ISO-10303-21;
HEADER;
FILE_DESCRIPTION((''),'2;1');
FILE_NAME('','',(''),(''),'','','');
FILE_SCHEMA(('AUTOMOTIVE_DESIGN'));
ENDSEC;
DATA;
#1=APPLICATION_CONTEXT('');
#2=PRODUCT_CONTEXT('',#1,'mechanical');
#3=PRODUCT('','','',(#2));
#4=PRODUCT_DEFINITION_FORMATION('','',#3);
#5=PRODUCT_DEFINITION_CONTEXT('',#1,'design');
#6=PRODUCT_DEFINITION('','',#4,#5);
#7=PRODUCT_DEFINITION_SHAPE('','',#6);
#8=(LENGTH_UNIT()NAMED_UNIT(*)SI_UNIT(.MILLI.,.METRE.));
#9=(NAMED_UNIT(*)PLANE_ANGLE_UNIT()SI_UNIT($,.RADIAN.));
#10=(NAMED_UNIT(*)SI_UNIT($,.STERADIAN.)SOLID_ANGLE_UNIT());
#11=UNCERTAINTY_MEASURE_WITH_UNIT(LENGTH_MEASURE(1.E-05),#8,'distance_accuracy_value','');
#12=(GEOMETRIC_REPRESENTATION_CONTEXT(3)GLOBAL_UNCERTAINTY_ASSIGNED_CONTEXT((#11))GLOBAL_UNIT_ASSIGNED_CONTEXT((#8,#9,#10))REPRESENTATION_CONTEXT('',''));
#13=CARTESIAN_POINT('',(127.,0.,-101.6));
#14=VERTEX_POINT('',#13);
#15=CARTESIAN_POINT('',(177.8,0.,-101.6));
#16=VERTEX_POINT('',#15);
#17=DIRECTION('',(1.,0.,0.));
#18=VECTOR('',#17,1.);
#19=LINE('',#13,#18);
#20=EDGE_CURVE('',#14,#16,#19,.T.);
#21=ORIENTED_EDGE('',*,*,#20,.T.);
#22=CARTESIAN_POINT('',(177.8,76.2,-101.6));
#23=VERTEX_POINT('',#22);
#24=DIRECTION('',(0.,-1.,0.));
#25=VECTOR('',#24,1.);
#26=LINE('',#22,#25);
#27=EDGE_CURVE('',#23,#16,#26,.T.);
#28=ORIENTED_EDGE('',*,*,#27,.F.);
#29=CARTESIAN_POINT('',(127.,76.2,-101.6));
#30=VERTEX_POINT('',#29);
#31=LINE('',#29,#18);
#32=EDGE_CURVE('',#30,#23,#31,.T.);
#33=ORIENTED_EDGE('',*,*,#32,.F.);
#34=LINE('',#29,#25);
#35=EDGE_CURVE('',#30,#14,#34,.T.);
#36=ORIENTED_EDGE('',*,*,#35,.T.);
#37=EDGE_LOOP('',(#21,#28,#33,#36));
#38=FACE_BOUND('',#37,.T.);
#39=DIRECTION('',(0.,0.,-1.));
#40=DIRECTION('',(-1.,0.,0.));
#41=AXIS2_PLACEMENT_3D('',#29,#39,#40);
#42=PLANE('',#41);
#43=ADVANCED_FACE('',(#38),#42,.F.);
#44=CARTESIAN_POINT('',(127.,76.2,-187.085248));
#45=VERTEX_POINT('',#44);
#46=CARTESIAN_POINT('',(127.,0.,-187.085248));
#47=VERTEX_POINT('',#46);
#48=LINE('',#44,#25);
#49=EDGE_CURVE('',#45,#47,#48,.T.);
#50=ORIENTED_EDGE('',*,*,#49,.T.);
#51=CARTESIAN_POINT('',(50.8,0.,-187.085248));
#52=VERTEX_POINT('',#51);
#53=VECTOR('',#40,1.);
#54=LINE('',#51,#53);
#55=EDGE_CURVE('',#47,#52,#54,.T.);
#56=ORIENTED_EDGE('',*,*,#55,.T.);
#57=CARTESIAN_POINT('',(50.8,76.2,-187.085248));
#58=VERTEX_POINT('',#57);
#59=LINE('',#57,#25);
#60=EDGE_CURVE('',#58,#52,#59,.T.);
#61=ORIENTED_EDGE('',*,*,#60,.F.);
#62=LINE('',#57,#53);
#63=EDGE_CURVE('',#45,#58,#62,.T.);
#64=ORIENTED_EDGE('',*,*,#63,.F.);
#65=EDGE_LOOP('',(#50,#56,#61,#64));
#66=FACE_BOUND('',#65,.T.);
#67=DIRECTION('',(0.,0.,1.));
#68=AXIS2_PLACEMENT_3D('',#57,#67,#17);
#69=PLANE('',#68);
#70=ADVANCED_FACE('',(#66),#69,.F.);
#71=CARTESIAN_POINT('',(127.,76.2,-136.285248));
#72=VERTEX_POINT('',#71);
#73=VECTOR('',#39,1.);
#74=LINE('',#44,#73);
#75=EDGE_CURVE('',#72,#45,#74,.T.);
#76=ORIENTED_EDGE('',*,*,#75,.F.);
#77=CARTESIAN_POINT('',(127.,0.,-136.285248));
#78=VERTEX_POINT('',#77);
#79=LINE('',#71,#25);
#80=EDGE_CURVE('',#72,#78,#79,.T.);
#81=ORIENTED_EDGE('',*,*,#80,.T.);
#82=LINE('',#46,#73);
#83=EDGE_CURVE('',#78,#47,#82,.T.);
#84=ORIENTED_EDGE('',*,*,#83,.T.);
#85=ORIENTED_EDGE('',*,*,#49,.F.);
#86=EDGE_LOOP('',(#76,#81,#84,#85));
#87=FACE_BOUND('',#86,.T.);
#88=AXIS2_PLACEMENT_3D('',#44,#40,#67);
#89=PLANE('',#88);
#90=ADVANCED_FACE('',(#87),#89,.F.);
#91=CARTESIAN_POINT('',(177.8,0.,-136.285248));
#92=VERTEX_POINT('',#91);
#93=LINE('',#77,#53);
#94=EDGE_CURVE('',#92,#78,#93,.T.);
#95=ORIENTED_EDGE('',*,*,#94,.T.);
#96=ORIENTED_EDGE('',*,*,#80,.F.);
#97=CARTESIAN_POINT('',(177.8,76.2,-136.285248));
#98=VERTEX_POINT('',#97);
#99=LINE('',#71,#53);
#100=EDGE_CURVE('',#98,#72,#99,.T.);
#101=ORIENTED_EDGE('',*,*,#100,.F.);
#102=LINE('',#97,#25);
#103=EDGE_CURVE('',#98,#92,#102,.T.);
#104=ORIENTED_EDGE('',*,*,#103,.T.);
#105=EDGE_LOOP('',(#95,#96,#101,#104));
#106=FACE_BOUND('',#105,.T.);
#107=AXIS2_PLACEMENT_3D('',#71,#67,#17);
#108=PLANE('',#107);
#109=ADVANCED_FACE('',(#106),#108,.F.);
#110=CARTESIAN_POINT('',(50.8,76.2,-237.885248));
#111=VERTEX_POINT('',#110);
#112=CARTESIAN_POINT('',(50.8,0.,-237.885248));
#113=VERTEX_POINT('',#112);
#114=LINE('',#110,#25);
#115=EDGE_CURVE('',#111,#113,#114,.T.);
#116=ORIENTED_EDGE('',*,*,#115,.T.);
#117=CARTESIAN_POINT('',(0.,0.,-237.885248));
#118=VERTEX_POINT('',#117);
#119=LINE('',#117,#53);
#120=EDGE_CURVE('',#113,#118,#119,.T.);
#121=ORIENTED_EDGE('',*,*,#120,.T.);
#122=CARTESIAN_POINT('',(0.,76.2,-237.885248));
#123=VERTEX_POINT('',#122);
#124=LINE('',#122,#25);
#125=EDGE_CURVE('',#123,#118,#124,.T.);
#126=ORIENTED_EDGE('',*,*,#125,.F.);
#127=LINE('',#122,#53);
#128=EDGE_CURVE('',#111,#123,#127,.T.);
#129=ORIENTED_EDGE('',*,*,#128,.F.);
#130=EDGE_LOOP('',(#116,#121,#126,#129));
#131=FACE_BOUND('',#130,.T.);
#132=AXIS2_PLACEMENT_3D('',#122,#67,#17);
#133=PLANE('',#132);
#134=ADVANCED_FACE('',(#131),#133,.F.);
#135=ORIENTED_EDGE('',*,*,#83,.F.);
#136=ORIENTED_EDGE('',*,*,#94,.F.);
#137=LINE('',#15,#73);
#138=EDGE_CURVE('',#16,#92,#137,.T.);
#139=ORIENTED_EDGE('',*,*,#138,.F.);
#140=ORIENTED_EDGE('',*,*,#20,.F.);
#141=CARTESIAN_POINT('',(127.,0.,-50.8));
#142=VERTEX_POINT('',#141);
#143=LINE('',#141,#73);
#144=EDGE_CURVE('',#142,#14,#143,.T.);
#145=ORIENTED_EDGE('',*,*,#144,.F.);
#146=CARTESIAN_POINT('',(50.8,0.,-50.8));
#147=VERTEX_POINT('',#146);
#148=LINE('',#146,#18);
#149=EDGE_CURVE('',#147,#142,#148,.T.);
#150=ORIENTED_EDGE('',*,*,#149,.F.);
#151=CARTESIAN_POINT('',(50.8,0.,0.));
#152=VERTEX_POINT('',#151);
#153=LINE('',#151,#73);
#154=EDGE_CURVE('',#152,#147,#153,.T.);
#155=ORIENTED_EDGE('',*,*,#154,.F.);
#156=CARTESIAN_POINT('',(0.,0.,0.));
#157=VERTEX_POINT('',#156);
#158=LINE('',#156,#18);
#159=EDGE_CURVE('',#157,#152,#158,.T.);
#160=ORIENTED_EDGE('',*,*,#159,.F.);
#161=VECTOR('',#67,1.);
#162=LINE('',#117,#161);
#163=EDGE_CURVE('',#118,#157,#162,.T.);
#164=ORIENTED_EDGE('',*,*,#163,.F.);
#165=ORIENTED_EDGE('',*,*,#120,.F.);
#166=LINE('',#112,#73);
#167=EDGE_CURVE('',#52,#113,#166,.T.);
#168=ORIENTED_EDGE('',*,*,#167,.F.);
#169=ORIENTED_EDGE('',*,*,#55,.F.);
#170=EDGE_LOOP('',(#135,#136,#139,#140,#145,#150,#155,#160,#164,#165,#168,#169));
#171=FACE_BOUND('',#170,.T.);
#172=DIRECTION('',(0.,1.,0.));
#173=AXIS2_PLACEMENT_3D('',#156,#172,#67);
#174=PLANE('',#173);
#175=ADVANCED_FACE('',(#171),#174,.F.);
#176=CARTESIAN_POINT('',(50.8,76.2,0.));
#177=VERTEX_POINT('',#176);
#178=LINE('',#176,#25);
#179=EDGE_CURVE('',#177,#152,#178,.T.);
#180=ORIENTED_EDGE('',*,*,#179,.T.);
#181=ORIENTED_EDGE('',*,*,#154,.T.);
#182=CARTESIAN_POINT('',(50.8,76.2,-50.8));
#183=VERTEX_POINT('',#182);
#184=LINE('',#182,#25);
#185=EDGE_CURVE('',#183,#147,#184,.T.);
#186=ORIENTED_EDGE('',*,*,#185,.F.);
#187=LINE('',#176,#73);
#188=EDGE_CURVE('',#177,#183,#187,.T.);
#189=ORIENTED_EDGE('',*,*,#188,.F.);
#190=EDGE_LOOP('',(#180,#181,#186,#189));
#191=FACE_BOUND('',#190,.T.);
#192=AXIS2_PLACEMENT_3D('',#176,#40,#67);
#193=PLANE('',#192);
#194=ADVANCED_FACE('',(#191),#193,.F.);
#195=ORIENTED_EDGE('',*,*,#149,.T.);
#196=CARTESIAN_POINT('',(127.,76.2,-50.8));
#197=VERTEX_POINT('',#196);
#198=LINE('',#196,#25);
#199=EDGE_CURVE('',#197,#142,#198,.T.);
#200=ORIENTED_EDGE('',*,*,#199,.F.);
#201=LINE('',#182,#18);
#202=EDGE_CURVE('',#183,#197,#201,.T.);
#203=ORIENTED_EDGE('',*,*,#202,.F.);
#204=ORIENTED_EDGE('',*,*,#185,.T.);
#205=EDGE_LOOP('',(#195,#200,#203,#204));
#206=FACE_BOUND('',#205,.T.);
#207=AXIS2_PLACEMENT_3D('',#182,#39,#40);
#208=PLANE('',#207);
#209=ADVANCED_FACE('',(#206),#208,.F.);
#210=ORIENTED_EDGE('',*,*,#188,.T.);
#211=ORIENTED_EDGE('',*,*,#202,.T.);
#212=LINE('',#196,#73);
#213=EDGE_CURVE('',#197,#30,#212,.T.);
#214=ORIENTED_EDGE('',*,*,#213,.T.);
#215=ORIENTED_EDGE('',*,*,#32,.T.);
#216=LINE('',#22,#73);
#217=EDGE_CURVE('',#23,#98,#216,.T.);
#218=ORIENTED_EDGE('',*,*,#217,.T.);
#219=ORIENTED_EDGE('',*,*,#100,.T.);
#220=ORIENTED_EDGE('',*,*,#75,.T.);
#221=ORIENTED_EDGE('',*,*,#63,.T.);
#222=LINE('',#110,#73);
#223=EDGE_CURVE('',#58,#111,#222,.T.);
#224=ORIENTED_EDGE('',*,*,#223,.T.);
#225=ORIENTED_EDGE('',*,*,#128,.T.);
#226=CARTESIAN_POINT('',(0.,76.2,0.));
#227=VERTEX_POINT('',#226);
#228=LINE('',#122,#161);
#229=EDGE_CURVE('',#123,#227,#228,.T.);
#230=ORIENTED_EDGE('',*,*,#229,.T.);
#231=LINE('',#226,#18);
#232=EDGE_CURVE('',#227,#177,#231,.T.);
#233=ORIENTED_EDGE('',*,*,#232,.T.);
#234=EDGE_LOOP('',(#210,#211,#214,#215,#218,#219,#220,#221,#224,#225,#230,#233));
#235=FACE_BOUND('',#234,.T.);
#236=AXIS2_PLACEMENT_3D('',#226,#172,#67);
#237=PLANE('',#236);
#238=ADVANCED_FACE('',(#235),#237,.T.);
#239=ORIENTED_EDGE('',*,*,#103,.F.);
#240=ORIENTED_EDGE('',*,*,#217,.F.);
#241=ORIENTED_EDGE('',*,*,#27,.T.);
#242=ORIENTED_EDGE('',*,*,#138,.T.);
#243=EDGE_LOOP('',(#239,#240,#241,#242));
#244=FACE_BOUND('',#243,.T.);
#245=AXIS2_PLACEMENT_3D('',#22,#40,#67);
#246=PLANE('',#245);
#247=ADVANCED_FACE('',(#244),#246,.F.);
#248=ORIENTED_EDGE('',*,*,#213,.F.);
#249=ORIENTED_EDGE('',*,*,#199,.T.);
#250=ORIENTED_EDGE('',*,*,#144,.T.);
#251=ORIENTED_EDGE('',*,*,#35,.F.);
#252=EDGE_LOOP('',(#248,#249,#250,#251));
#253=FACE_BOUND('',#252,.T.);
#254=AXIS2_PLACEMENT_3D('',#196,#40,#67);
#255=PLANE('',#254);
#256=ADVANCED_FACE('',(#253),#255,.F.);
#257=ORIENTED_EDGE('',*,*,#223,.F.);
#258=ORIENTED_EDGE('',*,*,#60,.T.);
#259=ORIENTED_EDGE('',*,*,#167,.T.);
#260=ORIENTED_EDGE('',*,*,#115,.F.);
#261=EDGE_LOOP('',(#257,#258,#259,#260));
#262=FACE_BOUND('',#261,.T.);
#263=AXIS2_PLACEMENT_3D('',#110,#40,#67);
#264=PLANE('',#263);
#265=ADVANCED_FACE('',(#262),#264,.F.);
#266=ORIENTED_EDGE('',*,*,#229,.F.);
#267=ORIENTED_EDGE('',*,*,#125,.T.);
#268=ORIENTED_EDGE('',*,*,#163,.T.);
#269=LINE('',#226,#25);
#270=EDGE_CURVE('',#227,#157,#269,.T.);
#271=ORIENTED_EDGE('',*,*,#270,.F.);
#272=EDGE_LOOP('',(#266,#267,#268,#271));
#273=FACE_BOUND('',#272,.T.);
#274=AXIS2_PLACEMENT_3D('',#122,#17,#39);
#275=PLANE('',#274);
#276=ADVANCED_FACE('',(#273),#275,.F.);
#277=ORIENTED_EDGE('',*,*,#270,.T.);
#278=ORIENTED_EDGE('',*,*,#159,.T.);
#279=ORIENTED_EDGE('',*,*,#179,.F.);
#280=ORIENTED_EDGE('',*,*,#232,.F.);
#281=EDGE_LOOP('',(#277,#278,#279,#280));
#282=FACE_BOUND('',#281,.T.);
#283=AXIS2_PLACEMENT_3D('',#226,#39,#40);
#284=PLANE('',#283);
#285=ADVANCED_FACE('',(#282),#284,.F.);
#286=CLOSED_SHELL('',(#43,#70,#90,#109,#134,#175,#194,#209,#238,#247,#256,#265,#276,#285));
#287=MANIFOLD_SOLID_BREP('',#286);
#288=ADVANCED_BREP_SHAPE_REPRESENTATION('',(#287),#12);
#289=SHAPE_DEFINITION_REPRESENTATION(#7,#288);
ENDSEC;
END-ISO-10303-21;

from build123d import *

# Parameters (mm, degrees)
BOSS_EXTRUDE1_DEPTH = 76.2


with BuildPart() as part:
    # Sketch3 → Boss-Extrude1 (new body)
    with BuildSketch(Plane(origin=(0, 0, 0), x_dir=(1, 0, 0), z_dir=(0, 1, 0))):
        Polygon((0, 0), (50.8, 0), (50.8, 50.8), (127, 50.8), (127, 101.6), (177.8, 101.6), (177.8, 136.285247541), (127, 136.285247541), (127, 187.085247541), (50.8, 187.085247541), (50.8, 237.885247541), (0, 237.885247541), align=None)
    extrude(amount=BOSS_EXTRUDE1_DEPTH)


solid = part.part
